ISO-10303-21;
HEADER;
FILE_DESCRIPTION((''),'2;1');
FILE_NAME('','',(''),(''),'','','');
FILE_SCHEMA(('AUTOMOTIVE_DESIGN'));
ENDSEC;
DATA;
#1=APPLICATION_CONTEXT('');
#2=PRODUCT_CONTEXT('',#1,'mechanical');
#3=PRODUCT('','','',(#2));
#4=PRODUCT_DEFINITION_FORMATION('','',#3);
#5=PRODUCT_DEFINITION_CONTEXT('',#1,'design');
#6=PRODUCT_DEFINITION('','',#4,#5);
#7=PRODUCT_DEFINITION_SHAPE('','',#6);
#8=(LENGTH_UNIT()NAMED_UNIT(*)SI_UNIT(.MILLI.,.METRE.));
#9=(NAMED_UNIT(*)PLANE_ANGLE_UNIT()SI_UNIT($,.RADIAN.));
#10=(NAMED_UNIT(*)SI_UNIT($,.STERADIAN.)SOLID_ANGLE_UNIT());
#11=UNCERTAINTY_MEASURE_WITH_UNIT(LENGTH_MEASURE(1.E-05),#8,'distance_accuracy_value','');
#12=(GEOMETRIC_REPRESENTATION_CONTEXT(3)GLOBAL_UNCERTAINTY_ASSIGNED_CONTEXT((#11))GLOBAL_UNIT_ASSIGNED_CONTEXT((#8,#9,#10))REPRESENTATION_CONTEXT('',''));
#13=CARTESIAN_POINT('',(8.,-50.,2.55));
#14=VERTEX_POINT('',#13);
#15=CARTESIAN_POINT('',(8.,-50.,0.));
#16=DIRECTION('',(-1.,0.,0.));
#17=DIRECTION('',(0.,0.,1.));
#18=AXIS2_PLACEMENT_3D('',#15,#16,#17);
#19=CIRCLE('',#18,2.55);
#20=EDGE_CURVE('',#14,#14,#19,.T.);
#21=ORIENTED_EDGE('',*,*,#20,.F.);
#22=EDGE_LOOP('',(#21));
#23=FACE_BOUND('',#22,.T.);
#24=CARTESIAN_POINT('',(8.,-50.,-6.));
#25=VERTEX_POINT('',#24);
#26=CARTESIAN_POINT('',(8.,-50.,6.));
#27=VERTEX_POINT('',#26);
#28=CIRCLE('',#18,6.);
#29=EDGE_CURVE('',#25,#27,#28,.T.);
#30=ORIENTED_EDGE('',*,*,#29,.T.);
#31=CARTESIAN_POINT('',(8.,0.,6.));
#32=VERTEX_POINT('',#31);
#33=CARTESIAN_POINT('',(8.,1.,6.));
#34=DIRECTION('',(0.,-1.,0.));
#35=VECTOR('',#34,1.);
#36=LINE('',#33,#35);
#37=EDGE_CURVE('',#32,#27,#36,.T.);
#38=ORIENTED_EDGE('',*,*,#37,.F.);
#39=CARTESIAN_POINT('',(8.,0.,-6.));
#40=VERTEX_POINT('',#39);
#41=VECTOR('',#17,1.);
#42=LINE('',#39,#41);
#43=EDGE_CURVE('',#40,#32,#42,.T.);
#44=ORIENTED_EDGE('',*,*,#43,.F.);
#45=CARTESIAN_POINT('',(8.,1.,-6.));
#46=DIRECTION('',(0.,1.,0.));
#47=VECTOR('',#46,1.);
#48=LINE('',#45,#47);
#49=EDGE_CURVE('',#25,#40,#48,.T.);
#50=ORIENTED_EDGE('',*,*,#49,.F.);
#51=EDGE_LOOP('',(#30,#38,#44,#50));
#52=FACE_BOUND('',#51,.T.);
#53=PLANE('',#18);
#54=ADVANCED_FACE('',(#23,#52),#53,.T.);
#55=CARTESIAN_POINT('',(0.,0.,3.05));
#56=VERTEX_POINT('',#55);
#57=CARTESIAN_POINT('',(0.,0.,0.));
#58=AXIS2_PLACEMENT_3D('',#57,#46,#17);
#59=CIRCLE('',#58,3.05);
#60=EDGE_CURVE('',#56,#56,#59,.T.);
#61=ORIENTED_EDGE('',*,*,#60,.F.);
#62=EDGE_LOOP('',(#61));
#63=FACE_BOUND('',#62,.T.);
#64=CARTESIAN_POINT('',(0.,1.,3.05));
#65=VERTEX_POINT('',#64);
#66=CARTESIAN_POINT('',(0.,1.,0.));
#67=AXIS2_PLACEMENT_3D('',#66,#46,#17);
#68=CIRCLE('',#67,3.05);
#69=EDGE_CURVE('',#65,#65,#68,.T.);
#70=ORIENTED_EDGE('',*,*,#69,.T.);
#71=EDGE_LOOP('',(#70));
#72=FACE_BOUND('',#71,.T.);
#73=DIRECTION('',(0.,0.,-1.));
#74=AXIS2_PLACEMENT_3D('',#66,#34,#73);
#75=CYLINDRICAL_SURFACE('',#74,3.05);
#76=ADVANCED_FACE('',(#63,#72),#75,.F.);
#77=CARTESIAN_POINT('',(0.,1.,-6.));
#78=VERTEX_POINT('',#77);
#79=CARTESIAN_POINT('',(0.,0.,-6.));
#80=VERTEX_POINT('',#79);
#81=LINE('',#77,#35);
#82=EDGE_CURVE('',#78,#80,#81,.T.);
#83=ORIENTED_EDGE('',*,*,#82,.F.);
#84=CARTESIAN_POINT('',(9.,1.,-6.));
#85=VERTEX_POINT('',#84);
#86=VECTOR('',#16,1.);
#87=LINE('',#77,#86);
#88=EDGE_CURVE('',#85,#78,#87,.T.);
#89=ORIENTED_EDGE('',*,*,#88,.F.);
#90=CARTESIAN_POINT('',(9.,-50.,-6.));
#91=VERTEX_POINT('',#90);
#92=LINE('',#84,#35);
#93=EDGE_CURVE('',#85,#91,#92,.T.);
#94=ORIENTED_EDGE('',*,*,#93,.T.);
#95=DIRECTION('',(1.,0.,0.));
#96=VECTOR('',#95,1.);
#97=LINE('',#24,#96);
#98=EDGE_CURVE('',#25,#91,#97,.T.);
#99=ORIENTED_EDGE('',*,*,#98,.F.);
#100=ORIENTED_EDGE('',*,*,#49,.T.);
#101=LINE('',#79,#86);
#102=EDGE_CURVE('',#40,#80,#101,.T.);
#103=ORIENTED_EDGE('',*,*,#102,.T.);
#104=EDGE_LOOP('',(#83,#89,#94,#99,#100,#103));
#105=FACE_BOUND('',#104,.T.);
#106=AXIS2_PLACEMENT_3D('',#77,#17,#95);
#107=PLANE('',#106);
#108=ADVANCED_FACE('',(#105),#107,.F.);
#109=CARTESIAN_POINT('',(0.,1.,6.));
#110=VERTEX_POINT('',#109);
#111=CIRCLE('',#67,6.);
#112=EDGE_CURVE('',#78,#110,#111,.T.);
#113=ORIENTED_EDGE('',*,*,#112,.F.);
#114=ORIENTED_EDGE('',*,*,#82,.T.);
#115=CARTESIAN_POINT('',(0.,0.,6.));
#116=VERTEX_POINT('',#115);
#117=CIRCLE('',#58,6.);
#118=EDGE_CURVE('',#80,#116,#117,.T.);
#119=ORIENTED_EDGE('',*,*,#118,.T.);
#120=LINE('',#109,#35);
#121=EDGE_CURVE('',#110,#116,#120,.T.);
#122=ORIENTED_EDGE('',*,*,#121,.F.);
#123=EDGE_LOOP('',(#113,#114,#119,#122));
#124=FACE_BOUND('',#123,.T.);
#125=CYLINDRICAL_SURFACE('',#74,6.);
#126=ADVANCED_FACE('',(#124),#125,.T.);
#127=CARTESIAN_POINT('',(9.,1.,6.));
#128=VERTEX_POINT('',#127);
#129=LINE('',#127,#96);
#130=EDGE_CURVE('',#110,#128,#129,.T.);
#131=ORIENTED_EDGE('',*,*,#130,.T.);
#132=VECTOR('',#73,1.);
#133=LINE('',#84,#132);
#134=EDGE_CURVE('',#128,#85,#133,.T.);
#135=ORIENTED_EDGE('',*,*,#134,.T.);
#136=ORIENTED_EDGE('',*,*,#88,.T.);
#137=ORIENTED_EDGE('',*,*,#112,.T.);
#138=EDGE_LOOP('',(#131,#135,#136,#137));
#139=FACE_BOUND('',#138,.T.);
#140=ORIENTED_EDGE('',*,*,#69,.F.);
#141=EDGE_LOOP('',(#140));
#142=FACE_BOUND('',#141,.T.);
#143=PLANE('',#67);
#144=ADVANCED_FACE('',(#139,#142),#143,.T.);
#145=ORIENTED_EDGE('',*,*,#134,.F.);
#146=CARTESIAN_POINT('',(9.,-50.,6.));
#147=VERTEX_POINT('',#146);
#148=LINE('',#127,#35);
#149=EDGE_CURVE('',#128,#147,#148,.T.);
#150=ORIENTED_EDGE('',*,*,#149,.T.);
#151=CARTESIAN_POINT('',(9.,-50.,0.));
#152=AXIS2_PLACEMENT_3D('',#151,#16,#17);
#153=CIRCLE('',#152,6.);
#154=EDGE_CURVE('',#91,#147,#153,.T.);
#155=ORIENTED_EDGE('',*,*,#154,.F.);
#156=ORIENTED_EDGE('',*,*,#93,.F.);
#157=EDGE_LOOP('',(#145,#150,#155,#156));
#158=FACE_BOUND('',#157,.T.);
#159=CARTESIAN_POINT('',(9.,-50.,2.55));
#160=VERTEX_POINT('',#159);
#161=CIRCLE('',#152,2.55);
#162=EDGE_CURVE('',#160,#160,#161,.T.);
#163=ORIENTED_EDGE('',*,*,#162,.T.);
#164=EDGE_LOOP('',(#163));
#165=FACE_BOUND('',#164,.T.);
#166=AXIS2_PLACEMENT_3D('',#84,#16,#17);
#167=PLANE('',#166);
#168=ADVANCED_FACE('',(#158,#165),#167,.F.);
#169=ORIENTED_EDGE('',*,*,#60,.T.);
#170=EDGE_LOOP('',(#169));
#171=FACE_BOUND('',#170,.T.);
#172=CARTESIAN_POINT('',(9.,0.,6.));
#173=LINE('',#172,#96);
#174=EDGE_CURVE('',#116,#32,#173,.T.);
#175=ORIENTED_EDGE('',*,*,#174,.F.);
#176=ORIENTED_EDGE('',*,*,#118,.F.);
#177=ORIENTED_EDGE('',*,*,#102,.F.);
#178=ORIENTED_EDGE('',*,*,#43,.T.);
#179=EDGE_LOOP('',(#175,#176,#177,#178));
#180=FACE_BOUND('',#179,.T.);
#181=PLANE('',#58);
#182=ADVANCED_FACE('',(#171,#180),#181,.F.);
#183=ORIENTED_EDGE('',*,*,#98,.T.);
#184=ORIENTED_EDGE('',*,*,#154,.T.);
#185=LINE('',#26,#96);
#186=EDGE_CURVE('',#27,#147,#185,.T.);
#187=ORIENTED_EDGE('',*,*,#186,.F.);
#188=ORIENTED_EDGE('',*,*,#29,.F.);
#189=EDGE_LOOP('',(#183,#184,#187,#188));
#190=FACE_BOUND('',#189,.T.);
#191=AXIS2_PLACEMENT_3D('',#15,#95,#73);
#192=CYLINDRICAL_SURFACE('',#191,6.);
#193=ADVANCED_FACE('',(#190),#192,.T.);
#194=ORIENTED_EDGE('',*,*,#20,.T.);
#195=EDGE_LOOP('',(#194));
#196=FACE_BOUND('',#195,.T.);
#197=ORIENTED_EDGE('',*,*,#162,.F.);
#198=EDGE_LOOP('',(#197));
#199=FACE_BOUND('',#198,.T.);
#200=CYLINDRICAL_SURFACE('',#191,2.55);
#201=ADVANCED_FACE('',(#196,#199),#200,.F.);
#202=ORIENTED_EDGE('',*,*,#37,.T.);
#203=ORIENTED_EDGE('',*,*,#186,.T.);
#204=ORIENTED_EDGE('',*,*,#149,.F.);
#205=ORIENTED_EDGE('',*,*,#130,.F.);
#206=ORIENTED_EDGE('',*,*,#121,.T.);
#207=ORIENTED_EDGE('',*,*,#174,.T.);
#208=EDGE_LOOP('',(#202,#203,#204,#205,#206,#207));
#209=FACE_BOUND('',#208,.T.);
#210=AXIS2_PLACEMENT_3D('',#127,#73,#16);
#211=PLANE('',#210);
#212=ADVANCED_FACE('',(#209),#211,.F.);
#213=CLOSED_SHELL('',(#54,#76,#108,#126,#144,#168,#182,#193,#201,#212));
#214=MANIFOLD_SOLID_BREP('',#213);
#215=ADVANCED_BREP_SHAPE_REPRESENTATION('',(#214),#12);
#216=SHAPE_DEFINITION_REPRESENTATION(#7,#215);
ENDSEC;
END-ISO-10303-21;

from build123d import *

# Parameters (mm, degrees)
SKETCH1_R           = 3.05
BOSS_EXTRUDE1_DEPTH = 1
BOSS_EXTRUDE2_START = 9
SKETCH3_R           = 2.55
BOSS_EXTRUDE2_DEPTH = 1


with BuildPart() as part:
    # Sketch1 → Boss-Extrude1 (new body)
    with BuildSketch(Plane(origin=(0, 0, 0), x_dir=(1, 0, 0), z_dir=(0, 1, 0))):
        with BuildLine():
            Line((0, 6), (9, 6))
            Line((9, 6), (9, -6))
            Line((9, -6), (0, -6))
            ThreePointArc((0, -6), (-6, 0), (0, 6))
        make_face()
        with Locations(Location((0, 0, 0), (0, 0, 270))):
            Circle(SKETCH1_R, mode=Mode.SUBTRACT)
    extrude(amount=BOSS_EXTRUDE1_DEPTH)

    # Sketch3 → Boss-Extrude2 (add)
    with BuildSketch(Plane(origin=(0, 0, 0), x_dir=(0, 0, -1), z_dir=(1, 0, 0)).offset(BOSS_EXTRUDE2_START)):
        with BuildLine():
            Line((-6, 0), (6, 0))
            Line((6, 0), (6, -50))
            ThreePointArc((6, -50), (0, -56), (-6, -50))
            Line((-6, -50), (-6, 0))
        make_face()
        with Locations(Location((0, -50, 0), (0, 0, 180))):
            Circle(SKETCH3_R, mode=Mode.SUBTRACT)
    extrude(amount=-BOSS_EXTRUDE2_DEPTH)


solid = part.part
